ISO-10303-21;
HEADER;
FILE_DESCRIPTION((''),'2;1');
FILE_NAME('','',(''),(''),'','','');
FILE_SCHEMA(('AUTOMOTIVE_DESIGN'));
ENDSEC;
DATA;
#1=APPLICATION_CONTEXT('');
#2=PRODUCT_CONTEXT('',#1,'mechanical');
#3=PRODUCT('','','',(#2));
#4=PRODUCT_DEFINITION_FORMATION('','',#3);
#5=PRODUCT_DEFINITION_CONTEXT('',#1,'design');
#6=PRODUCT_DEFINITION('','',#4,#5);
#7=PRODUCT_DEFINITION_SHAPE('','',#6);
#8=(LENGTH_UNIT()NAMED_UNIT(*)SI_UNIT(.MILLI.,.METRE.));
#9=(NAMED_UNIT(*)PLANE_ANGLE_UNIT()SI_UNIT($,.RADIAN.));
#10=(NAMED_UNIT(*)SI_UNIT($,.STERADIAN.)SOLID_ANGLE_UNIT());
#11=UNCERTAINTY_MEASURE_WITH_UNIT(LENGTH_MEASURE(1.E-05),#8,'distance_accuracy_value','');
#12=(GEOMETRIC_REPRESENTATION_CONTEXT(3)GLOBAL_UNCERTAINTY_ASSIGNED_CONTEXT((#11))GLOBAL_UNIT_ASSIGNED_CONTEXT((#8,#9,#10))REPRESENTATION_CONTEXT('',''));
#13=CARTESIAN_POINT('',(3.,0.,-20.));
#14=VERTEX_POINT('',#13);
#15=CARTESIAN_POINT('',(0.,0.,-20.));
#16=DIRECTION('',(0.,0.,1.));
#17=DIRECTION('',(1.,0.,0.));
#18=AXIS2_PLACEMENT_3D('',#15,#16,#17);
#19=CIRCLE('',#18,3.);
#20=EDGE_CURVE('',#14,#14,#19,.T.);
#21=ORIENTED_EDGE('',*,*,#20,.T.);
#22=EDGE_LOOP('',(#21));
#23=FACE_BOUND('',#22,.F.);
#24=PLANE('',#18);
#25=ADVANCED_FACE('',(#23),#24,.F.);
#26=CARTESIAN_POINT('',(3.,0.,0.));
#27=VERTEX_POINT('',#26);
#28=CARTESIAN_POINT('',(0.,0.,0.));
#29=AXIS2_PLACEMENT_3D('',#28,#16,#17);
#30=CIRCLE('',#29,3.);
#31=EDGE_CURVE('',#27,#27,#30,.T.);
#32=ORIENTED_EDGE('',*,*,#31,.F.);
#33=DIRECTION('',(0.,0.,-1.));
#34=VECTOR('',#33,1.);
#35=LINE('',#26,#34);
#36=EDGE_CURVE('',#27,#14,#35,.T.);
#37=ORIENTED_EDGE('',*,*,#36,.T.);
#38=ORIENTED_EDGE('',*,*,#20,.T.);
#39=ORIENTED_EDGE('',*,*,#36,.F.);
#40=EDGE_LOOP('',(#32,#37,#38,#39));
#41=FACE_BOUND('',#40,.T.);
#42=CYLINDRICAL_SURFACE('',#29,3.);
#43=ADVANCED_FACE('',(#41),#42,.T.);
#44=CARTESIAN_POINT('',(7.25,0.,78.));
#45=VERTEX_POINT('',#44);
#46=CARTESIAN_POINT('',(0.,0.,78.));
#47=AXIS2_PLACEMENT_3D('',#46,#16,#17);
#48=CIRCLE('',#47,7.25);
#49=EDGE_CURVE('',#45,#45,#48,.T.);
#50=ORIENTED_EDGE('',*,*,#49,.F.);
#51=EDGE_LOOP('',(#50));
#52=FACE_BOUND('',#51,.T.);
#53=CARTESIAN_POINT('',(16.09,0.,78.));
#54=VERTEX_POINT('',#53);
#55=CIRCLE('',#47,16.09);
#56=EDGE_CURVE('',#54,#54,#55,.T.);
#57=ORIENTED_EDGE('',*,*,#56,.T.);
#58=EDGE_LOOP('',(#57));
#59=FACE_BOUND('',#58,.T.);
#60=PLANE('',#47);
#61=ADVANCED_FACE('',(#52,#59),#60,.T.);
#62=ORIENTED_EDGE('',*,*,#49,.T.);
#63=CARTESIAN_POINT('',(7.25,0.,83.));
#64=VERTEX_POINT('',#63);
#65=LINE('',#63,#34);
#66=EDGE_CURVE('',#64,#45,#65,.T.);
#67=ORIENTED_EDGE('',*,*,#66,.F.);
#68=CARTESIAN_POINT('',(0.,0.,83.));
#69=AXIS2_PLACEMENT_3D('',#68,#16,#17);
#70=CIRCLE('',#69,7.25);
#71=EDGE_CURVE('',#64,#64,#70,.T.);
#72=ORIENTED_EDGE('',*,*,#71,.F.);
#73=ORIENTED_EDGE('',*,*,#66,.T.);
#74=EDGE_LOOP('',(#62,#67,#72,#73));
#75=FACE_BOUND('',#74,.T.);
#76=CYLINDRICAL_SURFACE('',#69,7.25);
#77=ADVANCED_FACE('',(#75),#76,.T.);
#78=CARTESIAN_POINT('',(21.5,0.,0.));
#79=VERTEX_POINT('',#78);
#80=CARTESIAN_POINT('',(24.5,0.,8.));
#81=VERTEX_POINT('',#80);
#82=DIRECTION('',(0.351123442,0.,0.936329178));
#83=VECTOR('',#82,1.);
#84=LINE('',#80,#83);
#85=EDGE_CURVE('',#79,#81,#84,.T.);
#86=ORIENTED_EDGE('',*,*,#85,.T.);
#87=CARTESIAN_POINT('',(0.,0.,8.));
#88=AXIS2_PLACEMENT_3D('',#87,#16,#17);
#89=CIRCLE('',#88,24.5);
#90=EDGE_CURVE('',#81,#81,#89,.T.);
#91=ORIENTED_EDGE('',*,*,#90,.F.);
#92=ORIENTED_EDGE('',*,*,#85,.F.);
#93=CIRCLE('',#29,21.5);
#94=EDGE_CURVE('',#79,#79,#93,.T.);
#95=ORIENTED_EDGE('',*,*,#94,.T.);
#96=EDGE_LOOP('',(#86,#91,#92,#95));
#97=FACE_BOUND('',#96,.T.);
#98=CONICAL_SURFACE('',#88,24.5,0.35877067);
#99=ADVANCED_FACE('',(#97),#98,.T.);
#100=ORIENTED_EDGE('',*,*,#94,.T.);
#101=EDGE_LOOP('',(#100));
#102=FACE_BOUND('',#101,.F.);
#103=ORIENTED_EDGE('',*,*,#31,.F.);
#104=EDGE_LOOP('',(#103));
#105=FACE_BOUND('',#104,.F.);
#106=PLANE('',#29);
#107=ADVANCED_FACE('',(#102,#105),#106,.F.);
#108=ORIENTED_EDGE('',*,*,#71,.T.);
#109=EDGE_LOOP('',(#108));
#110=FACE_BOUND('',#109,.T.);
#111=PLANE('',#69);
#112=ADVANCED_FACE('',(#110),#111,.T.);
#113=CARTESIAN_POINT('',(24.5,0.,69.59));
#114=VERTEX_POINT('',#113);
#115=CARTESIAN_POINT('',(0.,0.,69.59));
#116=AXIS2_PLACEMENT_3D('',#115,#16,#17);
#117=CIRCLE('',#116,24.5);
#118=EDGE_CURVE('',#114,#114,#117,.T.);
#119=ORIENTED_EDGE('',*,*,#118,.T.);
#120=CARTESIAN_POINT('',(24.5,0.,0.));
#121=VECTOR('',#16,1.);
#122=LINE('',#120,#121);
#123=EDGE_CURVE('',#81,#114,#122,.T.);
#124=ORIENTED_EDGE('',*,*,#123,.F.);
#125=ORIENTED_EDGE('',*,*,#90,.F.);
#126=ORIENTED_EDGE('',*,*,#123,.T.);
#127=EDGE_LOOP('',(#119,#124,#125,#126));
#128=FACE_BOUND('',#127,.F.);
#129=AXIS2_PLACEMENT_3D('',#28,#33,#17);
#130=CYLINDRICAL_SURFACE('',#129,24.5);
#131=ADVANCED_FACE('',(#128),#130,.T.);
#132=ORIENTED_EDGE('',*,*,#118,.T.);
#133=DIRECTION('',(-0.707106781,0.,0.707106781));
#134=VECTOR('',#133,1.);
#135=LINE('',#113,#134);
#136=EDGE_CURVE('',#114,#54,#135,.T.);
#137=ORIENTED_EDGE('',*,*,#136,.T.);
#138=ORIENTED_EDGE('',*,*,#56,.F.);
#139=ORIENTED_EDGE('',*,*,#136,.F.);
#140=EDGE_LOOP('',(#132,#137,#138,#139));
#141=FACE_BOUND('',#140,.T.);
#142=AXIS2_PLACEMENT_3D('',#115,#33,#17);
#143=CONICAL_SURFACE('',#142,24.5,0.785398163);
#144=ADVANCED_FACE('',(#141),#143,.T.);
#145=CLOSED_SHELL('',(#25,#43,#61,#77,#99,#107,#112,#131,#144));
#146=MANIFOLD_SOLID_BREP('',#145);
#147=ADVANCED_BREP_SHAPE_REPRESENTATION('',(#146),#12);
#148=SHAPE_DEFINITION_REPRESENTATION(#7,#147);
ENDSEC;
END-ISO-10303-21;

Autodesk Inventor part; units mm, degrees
ref_plane "YZ Plane" through (0, 0, 0) normal (1, 0, 0) x (0, 1, 0)
ref_plane "XZ Plane" through (0, 0, 0) normal (0, 1, 0) x (-1, 0, 0)
ref_plane "XY Plane" through (0, 0, 0) normal (0, 0, 1) x (1, 0, 0)
sketch "Sketch1" plane through (0, 0, 0) normal (0, 0, 1) x (1, 0, 0)
  circle A0 centre (0, 0) radius 24.5
  dimension "d0" = 49
extrude "Extrusion1" add sketch "Sketch1" along normal blind 83
sketch "Sketch2" plane through (0, 0, 0) normal (0, 0, 1) x (1, 0, 0)
  circle A0 centre (0, 0) radius 3
  dimension "d3" = 6
extrude "Extrusion2" add sketch "Sketch2" against normal blind 20
chamfer "Chamfer1" distance 3 distance2 8 1 edges at (-24.5, 0, 0) measured on face at (17.067, -2.1937, 0)
sketch "Sketch4" plane through (0, 0, 83) normal (0, 0, 1) x (1, 0, 0)
  circle A0 centre (0, 0) radius 7.25
  circle A1 centre (0, 0) radius 24.5 projected
  dimension "d10" = 14.5
extrude "Extrusion3" cut sketch "Sketch4" against normal blind 5
chamfer "Chamfer2" distance 8.41 angle 45 1 edges at (-24.5, 0, 78)
properties part number "Motor SK3 5065 275KV"
